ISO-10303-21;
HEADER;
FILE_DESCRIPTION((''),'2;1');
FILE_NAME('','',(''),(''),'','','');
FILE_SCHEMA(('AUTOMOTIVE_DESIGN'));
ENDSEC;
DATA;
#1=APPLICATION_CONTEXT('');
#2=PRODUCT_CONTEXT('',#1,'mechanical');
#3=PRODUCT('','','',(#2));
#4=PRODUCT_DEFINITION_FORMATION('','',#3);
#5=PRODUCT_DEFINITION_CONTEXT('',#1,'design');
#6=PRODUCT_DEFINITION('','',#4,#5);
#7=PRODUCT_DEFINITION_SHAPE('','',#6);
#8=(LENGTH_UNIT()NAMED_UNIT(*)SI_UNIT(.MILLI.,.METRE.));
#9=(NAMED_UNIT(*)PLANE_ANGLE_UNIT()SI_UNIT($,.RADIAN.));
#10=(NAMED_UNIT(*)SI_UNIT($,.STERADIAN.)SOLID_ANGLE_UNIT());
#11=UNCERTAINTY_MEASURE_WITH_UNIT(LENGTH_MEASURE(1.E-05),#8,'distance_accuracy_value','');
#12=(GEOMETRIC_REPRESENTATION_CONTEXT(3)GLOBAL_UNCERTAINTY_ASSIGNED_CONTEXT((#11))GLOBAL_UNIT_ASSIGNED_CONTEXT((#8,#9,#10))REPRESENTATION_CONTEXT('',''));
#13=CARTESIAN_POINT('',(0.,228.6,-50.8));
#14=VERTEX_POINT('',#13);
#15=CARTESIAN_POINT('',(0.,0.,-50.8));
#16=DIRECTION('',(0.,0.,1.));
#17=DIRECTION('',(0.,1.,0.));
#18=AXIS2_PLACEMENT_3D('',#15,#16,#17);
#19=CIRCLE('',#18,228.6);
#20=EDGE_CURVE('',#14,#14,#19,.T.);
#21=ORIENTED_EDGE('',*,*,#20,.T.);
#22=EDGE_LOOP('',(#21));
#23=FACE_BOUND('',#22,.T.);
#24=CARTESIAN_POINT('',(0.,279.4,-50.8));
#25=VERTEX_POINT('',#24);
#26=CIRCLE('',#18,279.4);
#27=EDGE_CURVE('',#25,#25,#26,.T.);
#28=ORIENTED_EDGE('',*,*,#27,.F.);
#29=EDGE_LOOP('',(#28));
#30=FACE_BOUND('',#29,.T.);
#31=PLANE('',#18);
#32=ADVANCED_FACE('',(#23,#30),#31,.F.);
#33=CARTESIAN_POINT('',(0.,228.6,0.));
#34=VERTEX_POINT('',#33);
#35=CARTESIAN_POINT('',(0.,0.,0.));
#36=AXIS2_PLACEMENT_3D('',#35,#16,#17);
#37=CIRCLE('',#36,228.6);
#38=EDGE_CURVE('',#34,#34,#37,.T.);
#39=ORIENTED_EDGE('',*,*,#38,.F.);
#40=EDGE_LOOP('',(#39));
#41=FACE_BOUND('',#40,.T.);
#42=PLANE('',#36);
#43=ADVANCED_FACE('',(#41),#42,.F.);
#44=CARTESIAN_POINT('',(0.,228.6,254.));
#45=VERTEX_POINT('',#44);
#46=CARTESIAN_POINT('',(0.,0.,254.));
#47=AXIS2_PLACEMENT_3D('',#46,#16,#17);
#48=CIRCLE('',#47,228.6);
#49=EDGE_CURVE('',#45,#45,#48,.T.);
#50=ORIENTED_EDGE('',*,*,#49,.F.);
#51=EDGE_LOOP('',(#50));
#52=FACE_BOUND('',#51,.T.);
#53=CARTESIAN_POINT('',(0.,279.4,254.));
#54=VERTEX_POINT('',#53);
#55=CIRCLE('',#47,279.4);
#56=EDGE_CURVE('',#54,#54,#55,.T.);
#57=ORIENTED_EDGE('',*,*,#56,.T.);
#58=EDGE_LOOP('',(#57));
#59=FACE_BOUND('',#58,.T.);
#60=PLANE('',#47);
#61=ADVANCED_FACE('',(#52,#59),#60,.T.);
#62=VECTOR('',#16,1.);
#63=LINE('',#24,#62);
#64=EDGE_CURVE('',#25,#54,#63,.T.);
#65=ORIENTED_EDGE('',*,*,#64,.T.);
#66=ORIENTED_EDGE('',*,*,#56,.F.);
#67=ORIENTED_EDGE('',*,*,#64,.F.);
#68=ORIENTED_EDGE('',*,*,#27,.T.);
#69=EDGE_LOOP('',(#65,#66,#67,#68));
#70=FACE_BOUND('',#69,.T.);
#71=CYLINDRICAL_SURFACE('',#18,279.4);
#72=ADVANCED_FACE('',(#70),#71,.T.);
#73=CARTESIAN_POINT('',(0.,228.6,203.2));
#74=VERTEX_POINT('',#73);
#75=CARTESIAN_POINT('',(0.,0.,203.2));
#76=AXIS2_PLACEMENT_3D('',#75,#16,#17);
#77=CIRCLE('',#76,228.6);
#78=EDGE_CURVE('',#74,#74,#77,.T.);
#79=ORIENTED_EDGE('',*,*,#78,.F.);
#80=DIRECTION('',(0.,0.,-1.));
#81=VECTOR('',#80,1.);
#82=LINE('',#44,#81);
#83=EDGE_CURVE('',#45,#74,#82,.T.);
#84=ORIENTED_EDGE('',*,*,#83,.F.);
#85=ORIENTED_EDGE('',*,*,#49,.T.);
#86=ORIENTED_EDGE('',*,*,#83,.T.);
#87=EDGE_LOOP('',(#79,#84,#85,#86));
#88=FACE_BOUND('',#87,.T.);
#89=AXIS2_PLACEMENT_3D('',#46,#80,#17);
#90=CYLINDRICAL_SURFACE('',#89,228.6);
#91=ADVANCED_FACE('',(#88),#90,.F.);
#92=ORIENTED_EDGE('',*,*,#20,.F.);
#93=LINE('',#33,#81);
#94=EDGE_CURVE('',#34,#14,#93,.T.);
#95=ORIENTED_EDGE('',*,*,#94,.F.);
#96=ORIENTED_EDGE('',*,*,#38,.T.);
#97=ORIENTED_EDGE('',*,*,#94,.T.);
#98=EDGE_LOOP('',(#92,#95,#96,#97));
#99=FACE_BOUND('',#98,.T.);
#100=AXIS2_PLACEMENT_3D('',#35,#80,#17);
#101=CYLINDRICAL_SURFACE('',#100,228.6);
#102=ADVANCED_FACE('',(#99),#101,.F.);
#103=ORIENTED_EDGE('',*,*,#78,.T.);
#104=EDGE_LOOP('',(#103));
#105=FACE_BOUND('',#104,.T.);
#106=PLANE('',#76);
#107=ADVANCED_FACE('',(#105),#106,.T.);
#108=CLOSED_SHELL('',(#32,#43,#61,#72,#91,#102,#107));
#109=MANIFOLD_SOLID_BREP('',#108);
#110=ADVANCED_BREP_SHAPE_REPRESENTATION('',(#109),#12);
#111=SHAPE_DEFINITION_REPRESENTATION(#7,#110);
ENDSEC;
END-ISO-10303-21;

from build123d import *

# Parameters (mm, degrees)
F0_W   = 228.6
F0_H   = 203.2
F0_W_2 = 25.4


with BuildPart() as f1:
    # F0 (on Right) → F1 (revolve)
    with BuildSketch(Plane.YZ):
        with Locations((114.3, 101.6)):
            Rectangle(F0_W, F0_H)
        with Locations((241.3, 101.6)):
            Rectangle(F0_W_2, F0_H)
        Polygon((254, 0), (228.6, 0), (228.6, -50.8), (279.4, -50.8), (279.4, 254), (228.6, 254), (228.6, 203.2), (254, 203.2), align=None)
    revolve(axis=Axis((0, 0, 101.6), (0, 0, 1)))


solid = f1.part
